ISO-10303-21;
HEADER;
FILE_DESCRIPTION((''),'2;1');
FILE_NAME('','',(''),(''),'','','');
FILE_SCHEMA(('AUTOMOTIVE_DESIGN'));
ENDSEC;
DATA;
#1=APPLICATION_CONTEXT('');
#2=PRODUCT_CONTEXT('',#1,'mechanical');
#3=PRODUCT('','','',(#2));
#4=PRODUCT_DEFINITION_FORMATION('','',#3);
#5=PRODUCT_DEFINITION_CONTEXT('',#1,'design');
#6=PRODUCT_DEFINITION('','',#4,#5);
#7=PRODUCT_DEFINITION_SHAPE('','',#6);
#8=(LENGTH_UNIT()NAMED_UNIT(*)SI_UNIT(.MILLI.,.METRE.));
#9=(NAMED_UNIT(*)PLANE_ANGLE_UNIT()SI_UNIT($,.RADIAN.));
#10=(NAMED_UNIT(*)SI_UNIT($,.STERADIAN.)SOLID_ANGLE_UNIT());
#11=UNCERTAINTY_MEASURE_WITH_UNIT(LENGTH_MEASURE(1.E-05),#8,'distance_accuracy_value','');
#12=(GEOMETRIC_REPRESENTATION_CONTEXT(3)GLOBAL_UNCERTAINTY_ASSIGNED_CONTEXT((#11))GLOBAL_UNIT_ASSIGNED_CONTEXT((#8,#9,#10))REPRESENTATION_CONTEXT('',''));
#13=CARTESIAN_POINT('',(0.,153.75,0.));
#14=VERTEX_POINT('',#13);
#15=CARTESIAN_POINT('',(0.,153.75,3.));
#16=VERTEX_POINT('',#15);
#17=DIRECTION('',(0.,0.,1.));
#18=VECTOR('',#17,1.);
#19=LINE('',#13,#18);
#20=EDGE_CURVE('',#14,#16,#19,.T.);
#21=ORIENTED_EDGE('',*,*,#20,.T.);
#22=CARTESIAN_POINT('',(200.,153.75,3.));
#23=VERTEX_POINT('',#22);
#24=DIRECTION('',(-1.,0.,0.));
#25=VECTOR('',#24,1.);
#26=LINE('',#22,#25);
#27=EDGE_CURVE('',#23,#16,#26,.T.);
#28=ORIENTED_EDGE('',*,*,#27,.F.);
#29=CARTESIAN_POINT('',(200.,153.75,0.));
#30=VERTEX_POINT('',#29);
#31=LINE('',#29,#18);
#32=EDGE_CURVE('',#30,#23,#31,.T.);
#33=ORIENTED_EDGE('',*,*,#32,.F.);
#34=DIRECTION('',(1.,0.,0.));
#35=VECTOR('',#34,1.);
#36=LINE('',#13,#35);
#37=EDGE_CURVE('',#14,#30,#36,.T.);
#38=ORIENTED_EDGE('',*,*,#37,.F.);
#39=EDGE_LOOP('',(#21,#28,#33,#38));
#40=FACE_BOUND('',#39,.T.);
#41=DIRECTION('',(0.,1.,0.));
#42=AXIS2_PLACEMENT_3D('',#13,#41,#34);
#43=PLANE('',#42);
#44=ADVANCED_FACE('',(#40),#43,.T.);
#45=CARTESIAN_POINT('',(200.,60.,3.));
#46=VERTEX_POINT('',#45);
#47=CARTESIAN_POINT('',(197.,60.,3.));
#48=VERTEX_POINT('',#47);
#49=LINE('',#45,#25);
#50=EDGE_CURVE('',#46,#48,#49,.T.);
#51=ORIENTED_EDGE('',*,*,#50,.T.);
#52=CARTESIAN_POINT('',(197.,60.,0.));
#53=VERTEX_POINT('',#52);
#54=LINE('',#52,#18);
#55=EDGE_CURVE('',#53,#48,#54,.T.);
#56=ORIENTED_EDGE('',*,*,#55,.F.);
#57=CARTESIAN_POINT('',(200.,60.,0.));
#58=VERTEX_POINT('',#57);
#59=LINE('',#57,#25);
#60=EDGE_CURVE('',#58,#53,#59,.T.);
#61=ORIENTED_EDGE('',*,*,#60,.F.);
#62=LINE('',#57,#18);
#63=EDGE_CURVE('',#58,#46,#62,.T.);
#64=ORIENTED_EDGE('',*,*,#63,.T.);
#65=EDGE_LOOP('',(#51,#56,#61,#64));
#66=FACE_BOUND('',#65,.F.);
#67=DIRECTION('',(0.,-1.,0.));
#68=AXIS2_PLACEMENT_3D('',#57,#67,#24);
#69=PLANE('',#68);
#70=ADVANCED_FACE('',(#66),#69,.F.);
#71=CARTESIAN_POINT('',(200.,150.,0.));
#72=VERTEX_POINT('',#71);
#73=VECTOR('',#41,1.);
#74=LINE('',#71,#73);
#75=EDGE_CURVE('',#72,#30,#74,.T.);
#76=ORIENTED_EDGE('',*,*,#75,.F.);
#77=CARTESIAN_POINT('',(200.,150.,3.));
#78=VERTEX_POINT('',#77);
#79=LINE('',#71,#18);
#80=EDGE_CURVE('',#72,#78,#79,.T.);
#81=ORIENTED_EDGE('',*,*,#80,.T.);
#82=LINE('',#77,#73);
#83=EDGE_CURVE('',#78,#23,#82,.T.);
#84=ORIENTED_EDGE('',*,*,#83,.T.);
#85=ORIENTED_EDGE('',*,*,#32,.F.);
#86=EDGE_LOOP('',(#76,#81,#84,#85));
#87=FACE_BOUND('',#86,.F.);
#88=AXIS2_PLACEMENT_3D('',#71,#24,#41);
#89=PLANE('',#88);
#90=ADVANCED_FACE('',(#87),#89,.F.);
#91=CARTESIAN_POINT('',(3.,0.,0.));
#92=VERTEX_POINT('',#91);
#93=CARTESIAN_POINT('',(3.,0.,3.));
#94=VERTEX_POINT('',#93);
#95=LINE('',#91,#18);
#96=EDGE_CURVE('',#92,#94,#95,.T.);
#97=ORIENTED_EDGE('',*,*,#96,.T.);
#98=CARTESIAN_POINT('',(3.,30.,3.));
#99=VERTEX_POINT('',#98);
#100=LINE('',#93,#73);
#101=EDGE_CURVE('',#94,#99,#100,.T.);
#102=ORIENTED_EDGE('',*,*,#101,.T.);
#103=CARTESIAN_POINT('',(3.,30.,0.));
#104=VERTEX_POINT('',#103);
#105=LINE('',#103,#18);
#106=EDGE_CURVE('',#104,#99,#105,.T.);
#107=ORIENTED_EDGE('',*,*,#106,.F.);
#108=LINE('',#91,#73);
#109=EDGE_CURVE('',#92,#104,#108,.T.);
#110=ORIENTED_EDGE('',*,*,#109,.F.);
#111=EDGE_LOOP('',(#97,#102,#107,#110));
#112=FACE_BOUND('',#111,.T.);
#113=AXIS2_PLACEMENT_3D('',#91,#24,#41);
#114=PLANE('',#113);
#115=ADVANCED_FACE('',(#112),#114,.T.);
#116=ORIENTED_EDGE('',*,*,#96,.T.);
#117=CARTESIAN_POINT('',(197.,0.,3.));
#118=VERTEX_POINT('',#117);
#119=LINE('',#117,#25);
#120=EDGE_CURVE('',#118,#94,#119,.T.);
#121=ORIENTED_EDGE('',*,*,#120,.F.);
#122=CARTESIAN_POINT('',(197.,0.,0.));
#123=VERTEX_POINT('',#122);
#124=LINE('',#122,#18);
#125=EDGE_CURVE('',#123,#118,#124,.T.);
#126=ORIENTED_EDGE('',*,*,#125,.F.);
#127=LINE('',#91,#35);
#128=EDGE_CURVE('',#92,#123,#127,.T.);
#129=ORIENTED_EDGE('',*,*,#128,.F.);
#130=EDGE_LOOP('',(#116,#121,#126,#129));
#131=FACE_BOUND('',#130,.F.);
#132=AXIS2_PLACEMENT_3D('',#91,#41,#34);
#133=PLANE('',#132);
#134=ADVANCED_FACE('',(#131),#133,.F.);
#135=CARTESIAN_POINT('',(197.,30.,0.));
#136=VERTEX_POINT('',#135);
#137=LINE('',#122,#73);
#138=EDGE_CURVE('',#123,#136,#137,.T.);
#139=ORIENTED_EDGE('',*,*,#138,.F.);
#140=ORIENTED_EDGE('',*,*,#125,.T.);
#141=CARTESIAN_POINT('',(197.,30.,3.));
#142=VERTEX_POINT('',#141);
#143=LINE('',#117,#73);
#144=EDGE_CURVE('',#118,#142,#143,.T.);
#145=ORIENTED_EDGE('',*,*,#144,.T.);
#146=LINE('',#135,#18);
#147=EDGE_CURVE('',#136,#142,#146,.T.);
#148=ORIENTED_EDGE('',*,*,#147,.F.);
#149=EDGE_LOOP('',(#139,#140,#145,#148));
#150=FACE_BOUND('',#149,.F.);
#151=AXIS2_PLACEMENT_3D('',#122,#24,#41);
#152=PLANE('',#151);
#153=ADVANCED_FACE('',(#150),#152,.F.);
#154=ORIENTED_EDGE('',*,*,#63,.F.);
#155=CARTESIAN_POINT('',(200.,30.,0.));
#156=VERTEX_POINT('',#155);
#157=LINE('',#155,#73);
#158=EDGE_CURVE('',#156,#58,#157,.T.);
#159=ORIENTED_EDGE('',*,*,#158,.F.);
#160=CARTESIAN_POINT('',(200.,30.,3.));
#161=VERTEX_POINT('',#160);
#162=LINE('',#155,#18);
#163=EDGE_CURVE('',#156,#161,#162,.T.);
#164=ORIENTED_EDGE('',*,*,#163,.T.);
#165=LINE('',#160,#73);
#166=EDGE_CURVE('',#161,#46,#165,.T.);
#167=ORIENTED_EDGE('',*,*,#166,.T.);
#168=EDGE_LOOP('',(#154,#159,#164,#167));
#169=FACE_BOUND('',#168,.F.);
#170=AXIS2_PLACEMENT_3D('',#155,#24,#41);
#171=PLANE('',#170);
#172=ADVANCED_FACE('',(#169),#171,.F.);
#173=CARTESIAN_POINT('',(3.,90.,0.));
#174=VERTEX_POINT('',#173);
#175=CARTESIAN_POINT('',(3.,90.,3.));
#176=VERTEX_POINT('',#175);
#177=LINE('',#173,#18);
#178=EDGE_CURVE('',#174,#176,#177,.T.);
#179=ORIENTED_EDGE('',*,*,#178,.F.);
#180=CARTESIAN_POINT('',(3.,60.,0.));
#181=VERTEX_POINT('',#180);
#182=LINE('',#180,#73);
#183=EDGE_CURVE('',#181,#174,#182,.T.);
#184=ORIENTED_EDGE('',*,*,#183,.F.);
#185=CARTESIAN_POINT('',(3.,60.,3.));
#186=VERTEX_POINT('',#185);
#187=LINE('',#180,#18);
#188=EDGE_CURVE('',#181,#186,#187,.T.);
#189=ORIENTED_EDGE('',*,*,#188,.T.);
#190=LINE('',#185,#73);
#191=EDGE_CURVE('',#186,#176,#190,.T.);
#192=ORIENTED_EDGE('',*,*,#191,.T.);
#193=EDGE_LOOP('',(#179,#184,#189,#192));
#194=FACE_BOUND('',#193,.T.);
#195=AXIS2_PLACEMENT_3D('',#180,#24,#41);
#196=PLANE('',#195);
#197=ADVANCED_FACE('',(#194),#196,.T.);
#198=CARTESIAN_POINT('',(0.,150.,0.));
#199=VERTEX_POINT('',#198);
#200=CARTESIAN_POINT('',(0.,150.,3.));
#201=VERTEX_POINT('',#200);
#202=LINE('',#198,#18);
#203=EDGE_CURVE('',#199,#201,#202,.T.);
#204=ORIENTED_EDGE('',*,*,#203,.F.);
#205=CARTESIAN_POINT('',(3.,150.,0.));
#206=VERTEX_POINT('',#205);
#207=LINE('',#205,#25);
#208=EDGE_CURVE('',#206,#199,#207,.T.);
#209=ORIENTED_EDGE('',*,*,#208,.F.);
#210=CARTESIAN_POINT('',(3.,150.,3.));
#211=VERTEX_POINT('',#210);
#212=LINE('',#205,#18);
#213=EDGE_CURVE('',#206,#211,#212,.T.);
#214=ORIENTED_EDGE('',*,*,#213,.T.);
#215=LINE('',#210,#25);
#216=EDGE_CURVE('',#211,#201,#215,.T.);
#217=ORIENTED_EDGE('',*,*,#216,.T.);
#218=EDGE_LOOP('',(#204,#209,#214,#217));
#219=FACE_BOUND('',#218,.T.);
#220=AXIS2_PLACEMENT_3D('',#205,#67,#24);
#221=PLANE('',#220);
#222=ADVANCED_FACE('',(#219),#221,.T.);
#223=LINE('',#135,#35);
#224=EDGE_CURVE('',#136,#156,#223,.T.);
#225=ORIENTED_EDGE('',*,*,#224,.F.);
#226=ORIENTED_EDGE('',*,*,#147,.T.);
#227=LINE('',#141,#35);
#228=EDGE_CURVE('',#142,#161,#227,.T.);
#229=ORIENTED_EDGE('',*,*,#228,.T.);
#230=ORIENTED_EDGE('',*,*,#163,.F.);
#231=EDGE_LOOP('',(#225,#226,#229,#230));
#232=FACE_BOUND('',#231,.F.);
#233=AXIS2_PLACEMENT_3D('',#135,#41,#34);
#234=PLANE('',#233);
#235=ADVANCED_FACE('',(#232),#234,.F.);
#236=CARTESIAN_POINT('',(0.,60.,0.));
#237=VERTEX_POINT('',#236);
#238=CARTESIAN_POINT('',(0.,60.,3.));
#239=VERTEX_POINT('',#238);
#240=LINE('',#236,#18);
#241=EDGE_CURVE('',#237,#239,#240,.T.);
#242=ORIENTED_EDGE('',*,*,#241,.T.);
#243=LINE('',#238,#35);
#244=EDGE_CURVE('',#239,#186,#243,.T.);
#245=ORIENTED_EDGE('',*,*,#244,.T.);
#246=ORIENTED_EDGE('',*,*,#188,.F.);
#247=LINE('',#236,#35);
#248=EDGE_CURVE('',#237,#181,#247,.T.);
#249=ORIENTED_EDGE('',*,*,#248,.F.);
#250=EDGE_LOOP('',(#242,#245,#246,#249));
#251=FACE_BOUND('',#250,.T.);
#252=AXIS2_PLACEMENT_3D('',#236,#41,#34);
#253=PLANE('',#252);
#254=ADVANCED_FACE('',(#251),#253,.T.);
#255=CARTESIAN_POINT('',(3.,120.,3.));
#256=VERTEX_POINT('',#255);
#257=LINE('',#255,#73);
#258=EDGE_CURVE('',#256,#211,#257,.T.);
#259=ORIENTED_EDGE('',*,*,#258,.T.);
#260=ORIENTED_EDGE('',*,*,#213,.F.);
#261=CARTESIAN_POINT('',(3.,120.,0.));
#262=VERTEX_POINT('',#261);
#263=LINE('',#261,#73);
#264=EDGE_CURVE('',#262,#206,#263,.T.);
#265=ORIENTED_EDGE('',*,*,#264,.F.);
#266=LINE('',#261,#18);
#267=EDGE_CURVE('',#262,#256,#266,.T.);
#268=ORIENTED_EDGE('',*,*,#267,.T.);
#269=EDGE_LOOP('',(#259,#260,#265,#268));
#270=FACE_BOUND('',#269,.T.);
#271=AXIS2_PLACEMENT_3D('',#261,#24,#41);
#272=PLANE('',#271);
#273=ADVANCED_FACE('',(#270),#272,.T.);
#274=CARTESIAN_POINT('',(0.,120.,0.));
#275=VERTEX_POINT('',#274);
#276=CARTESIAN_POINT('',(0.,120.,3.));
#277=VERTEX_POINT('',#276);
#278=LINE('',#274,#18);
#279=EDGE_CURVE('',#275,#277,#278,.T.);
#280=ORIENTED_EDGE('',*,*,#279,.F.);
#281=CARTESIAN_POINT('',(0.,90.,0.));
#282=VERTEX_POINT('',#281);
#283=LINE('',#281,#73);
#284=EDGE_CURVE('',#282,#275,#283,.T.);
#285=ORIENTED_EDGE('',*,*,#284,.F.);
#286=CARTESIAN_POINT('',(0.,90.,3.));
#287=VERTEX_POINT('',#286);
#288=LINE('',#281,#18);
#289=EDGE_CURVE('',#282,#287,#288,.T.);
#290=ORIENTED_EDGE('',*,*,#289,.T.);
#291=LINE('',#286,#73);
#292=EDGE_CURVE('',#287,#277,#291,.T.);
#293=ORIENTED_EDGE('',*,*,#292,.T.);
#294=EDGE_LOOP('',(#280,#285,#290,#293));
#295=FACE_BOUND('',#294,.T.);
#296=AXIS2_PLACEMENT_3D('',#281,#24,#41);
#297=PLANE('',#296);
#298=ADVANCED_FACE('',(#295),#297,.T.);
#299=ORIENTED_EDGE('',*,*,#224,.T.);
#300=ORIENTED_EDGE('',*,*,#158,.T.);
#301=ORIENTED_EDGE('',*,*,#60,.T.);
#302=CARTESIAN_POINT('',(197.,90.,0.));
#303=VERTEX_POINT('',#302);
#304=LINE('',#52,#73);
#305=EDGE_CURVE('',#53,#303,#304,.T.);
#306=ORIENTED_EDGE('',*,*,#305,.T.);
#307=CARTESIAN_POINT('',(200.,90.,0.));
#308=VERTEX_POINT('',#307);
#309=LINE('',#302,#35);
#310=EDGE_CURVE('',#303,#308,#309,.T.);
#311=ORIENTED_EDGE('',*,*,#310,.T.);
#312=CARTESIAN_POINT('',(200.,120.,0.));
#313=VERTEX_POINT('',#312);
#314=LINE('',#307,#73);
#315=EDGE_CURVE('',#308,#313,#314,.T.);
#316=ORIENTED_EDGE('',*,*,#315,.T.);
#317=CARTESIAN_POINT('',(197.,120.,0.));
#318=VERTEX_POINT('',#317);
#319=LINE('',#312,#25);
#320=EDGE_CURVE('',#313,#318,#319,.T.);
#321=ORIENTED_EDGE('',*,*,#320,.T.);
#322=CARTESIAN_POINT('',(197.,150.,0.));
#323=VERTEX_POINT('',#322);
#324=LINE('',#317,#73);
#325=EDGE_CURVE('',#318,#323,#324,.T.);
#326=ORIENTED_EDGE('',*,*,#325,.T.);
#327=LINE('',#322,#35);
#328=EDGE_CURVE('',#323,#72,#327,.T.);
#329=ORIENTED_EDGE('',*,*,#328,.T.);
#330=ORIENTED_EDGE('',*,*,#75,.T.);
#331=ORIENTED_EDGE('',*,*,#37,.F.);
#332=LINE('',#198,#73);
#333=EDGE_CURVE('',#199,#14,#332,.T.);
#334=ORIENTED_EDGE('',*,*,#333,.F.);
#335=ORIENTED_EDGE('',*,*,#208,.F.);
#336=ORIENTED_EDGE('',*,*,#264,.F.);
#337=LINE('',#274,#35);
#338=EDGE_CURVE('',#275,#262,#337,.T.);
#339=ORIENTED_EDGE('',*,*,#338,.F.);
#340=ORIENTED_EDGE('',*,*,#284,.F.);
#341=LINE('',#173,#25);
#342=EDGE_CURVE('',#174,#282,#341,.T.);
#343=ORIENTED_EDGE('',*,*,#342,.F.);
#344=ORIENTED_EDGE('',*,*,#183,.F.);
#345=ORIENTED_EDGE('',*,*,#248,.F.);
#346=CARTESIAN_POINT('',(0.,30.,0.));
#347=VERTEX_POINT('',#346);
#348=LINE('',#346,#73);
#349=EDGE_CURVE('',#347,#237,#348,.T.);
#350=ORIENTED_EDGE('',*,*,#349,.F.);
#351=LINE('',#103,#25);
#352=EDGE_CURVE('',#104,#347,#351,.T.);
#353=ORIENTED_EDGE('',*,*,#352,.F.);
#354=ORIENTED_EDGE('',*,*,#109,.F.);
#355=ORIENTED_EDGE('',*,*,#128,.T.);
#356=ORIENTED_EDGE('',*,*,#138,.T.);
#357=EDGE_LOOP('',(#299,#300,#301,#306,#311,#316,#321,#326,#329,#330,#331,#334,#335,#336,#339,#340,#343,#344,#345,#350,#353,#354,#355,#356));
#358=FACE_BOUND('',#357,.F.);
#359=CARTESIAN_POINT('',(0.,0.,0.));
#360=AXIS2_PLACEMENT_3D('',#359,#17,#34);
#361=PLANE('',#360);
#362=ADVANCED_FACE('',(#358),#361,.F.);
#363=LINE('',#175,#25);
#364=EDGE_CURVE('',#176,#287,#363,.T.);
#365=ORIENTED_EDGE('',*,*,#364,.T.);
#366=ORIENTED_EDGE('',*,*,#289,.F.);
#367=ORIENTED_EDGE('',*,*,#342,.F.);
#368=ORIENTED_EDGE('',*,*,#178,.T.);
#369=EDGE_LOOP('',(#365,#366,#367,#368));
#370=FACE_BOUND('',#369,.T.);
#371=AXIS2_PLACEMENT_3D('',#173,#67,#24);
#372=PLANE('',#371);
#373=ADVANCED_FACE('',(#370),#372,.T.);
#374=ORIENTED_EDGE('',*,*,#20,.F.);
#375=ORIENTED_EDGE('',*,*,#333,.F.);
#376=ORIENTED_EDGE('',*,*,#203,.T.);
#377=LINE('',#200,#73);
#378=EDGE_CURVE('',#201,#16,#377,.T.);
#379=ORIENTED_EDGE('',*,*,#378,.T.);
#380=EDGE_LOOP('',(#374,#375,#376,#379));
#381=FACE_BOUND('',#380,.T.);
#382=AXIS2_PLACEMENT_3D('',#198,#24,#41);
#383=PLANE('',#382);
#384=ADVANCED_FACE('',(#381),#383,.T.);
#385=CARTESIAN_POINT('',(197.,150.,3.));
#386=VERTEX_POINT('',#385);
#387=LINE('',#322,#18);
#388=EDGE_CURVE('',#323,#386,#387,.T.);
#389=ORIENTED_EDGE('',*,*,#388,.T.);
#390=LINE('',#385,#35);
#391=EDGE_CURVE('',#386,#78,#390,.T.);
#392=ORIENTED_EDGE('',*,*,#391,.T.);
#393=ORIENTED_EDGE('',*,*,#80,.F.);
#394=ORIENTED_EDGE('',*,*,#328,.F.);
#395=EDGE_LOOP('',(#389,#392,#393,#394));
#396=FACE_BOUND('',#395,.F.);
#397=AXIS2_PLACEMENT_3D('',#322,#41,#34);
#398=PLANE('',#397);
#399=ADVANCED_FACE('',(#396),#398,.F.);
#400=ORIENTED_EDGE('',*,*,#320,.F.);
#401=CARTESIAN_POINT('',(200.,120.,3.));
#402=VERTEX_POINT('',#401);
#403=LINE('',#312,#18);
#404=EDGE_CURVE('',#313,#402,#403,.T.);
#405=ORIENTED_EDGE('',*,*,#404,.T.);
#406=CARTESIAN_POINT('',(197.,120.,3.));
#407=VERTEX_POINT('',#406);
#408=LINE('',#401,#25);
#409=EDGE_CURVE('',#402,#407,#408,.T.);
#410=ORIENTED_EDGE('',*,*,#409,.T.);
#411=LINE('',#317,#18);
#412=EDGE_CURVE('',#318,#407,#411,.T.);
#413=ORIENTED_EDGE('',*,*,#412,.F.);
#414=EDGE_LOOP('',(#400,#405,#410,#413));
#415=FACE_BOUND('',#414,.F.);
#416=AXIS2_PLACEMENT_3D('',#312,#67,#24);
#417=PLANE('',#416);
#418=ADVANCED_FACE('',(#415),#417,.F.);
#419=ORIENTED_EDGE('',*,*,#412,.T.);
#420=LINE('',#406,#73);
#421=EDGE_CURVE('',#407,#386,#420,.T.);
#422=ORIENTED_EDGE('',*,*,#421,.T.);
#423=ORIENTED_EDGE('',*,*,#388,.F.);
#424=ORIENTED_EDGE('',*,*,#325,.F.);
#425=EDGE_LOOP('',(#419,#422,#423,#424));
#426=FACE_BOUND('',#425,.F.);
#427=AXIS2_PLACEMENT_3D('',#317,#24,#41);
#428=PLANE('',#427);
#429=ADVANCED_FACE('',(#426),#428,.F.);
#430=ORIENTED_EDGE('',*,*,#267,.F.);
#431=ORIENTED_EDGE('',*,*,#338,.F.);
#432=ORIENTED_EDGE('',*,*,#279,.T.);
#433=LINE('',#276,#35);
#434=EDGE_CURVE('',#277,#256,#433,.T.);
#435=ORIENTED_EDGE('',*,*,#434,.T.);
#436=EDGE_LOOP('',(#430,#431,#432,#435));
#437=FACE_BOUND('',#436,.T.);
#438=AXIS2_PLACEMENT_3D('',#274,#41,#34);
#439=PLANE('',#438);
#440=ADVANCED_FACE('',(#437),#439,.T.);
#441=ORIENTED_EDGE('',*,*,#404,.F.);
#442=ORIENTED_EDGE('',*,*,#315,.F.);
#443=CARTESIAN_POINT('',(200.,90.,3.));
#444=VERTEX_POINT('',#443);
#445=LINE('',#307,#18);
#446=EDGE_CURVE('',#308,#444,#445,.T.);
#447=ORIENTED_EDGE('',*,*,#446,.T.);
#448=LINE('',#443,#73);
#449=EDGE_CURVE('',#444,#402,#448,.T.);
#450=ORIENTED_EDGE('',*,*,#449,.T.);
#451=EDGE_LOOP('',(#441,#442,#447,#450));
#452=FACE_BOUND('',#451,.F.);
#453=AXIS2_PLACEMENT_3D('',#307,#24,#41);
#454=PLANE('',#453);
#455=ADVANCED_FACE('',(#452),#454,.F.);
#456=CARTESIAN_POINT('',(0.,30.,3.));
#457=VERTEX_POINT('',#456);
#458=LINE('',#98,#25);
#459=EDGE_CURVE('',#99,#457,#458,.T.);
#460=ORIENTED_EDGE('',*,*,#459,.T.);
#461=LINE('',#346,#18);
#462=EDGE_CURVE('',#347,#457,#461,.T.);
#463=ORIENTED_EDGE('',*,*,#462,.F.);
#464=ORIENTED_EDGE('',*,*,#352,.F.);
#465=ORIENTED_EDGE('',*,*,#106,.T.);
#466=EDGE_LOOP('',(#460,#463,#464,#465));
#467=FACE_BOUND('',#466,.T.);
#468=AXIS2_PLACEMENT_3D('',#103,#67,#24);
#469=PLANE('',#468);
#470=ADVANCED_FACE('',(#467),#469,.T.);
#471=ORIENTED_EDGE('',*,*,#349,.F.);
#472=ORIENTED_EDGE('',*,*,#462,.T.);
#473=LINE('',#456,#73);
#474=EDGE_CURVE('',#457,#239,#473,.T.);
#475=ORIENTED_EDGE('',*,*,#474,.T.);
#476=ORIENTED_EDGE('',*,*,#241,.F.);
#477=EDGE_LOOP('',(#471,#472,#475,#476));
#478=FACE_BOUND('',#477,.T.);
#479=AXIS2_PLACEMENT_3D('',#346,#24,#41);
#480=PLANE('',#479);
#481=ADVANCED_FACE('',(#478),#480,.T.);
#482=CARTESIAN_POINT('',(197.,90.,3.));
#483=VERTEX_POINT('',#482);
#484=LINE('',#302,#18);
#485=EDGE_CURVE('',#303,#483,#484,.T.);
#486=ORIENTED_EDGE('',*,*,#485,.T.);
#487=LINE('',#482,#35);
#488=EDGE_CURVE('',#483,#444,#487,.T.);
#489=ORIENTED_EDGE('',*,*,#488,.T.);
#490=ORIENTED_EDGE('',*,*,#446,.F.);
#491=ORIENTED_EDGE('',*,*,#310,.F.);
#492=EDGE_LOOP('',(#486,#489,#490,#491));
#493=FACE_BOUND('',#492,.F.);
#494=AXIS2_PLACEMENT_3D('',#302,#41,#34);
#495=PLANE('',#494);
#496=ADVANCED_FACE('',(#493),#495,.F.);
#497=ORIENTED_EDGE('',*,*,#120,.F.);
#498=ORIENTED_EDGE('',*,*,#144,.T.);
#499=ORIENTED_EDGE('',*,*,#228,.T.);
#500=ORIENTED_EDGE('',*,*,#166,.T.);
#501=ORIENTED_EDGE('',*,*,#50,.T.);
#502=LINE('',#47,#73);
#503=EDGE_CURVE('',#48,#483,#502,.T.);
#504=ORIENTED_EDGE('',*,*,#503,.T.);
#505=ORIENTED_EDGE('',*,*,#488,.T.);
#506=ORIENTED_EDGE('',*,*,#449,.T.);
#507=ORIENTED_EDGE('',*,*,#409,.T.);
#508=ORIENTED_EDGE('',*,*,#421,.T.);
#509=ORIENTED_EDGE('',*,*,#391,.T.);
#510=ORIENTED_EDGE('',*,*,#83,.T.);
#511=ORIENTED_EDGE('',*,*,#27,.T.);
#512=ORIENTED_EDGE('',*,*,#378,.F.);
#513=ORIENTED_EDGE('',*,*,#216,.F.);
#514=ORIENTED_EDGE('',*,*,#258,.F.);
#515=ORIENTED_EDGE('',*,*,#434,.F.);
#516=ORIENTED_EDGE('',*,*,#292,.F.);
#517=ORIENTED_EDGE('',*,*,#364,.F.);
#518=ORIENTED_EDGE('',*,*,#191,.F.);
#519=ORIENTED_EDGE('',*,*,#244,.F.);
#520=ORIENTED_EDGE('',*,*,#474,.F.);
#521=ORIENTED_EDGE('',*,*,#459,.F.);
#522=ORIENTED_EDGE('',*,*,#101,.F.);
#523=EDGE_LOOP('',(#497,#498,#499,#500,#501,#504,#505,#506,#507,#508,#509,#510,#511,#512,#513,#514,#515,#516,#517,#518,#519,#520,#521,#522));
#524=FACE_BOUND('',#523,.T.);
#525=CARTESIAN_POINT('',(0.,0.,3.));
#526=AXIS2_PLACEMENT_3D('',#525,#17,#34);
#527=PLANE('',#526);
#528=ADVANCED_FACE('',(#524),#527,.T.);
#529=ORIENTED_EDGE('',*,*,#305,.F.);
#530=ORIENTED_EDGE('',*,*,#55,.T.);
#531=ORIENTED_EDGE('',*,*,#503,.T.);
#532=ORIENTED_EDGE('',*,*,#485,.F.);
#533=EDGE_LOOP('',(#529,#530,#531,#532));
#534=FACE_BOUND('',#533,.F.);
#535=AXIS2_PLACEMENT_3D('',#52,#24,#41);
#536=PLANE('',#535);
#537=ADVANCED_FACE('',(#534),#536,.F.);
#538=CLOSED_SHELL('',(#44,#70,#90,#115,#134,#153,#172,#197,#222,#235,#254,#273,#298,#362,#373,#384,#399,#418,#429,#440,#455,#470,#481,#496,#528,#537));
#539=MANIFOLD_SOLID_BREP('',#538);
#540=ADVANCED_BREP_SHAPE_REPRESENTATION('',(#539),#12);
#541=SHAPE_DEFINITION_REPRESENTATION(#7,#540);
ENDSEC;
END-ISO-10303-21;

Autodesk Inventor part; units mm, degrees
ref_plane "YZ Plane" through (0, 0, 0) normal (1, 0, 0) x (0, 1, 0)
ref_plane "XZ Plane" through (0, 0, 0) normal (0, 1, 0) x (-1, 0, 0)
ref_plane "XY Plane" through (0, 0, 0) normal (0, 0, 1) x (1, 0, 0)
sketch "Sketch1" plane through (0, 0, 0) normal (0, 0, 1) x (1, 0, 0)
  line L0 (0, 0) -> (200, 0)
  line L1 (0, 0) -> (3, 0)
  line L2 (3, 0) -> (3, 30)
  line L3 (3, 30) -> (0, 30)
  line L4 (0, 30) -> (0, 60)
  line L5 (0, 60) -> (3, 60)
  line L6 (3, 60) -> (3, 90)
  line L7 (3, 90) -> (0, 90)
  line L8 (0, 90) -> (0, 120)
  line L9 (0, 120) -> (3, 120)
  line L10 (3, 120) -> (3, 150)
  line L11 (3, 150) -> (0, 150)
  line L12 (0, 150) -> (0, 153.75)
  line L13 (100, 153.75) -> (100, 0)
  line L14 (200, 0) -> (197, 0)
  line L15 (197, 0) -> (197, 30)
  line L16 (197, 30) -> (200, 30)
  line L17 (200, 30) -> (200, 60)
  line L18 (200, 60) -> (197, 60)
  line L19 (197, 60) -> (197, 90)
  line L20 (197, 90) -> (200, 90)
  line L21 (200, 90) -> (200, 120)
  line L22 (200, 120) -> (197, 120)
  line L23 (197, 120) -> (197, 150)
  line L24 (197, 150) -> (200, 150)
  line L25 (200, 150) -> (200, 153.75)
  line L26 (0, 150) -> (0, 153.75)
  line L27 (0, 153.75) -> (200, 153.75)
  dimension "d0" = 200
  dimension "d2" = 3
  dimension "d3" = 30
  dimension "d4" = 3
  dimension "d5" = 30
  dimension "d6" = 3
  dimension "d7" = 30
  dimension "d8" = 3
  dimension "d9" = 30
  dimension "d10" = 3
  dimension "d11" = 30
  dimension "d12" = 3
  dimension "d16" = 3.75
extrude "Extrusion1" add sketch "Sketch1" along normal blind 3
properties part number "Q side 3" material "ABS Plastic"
